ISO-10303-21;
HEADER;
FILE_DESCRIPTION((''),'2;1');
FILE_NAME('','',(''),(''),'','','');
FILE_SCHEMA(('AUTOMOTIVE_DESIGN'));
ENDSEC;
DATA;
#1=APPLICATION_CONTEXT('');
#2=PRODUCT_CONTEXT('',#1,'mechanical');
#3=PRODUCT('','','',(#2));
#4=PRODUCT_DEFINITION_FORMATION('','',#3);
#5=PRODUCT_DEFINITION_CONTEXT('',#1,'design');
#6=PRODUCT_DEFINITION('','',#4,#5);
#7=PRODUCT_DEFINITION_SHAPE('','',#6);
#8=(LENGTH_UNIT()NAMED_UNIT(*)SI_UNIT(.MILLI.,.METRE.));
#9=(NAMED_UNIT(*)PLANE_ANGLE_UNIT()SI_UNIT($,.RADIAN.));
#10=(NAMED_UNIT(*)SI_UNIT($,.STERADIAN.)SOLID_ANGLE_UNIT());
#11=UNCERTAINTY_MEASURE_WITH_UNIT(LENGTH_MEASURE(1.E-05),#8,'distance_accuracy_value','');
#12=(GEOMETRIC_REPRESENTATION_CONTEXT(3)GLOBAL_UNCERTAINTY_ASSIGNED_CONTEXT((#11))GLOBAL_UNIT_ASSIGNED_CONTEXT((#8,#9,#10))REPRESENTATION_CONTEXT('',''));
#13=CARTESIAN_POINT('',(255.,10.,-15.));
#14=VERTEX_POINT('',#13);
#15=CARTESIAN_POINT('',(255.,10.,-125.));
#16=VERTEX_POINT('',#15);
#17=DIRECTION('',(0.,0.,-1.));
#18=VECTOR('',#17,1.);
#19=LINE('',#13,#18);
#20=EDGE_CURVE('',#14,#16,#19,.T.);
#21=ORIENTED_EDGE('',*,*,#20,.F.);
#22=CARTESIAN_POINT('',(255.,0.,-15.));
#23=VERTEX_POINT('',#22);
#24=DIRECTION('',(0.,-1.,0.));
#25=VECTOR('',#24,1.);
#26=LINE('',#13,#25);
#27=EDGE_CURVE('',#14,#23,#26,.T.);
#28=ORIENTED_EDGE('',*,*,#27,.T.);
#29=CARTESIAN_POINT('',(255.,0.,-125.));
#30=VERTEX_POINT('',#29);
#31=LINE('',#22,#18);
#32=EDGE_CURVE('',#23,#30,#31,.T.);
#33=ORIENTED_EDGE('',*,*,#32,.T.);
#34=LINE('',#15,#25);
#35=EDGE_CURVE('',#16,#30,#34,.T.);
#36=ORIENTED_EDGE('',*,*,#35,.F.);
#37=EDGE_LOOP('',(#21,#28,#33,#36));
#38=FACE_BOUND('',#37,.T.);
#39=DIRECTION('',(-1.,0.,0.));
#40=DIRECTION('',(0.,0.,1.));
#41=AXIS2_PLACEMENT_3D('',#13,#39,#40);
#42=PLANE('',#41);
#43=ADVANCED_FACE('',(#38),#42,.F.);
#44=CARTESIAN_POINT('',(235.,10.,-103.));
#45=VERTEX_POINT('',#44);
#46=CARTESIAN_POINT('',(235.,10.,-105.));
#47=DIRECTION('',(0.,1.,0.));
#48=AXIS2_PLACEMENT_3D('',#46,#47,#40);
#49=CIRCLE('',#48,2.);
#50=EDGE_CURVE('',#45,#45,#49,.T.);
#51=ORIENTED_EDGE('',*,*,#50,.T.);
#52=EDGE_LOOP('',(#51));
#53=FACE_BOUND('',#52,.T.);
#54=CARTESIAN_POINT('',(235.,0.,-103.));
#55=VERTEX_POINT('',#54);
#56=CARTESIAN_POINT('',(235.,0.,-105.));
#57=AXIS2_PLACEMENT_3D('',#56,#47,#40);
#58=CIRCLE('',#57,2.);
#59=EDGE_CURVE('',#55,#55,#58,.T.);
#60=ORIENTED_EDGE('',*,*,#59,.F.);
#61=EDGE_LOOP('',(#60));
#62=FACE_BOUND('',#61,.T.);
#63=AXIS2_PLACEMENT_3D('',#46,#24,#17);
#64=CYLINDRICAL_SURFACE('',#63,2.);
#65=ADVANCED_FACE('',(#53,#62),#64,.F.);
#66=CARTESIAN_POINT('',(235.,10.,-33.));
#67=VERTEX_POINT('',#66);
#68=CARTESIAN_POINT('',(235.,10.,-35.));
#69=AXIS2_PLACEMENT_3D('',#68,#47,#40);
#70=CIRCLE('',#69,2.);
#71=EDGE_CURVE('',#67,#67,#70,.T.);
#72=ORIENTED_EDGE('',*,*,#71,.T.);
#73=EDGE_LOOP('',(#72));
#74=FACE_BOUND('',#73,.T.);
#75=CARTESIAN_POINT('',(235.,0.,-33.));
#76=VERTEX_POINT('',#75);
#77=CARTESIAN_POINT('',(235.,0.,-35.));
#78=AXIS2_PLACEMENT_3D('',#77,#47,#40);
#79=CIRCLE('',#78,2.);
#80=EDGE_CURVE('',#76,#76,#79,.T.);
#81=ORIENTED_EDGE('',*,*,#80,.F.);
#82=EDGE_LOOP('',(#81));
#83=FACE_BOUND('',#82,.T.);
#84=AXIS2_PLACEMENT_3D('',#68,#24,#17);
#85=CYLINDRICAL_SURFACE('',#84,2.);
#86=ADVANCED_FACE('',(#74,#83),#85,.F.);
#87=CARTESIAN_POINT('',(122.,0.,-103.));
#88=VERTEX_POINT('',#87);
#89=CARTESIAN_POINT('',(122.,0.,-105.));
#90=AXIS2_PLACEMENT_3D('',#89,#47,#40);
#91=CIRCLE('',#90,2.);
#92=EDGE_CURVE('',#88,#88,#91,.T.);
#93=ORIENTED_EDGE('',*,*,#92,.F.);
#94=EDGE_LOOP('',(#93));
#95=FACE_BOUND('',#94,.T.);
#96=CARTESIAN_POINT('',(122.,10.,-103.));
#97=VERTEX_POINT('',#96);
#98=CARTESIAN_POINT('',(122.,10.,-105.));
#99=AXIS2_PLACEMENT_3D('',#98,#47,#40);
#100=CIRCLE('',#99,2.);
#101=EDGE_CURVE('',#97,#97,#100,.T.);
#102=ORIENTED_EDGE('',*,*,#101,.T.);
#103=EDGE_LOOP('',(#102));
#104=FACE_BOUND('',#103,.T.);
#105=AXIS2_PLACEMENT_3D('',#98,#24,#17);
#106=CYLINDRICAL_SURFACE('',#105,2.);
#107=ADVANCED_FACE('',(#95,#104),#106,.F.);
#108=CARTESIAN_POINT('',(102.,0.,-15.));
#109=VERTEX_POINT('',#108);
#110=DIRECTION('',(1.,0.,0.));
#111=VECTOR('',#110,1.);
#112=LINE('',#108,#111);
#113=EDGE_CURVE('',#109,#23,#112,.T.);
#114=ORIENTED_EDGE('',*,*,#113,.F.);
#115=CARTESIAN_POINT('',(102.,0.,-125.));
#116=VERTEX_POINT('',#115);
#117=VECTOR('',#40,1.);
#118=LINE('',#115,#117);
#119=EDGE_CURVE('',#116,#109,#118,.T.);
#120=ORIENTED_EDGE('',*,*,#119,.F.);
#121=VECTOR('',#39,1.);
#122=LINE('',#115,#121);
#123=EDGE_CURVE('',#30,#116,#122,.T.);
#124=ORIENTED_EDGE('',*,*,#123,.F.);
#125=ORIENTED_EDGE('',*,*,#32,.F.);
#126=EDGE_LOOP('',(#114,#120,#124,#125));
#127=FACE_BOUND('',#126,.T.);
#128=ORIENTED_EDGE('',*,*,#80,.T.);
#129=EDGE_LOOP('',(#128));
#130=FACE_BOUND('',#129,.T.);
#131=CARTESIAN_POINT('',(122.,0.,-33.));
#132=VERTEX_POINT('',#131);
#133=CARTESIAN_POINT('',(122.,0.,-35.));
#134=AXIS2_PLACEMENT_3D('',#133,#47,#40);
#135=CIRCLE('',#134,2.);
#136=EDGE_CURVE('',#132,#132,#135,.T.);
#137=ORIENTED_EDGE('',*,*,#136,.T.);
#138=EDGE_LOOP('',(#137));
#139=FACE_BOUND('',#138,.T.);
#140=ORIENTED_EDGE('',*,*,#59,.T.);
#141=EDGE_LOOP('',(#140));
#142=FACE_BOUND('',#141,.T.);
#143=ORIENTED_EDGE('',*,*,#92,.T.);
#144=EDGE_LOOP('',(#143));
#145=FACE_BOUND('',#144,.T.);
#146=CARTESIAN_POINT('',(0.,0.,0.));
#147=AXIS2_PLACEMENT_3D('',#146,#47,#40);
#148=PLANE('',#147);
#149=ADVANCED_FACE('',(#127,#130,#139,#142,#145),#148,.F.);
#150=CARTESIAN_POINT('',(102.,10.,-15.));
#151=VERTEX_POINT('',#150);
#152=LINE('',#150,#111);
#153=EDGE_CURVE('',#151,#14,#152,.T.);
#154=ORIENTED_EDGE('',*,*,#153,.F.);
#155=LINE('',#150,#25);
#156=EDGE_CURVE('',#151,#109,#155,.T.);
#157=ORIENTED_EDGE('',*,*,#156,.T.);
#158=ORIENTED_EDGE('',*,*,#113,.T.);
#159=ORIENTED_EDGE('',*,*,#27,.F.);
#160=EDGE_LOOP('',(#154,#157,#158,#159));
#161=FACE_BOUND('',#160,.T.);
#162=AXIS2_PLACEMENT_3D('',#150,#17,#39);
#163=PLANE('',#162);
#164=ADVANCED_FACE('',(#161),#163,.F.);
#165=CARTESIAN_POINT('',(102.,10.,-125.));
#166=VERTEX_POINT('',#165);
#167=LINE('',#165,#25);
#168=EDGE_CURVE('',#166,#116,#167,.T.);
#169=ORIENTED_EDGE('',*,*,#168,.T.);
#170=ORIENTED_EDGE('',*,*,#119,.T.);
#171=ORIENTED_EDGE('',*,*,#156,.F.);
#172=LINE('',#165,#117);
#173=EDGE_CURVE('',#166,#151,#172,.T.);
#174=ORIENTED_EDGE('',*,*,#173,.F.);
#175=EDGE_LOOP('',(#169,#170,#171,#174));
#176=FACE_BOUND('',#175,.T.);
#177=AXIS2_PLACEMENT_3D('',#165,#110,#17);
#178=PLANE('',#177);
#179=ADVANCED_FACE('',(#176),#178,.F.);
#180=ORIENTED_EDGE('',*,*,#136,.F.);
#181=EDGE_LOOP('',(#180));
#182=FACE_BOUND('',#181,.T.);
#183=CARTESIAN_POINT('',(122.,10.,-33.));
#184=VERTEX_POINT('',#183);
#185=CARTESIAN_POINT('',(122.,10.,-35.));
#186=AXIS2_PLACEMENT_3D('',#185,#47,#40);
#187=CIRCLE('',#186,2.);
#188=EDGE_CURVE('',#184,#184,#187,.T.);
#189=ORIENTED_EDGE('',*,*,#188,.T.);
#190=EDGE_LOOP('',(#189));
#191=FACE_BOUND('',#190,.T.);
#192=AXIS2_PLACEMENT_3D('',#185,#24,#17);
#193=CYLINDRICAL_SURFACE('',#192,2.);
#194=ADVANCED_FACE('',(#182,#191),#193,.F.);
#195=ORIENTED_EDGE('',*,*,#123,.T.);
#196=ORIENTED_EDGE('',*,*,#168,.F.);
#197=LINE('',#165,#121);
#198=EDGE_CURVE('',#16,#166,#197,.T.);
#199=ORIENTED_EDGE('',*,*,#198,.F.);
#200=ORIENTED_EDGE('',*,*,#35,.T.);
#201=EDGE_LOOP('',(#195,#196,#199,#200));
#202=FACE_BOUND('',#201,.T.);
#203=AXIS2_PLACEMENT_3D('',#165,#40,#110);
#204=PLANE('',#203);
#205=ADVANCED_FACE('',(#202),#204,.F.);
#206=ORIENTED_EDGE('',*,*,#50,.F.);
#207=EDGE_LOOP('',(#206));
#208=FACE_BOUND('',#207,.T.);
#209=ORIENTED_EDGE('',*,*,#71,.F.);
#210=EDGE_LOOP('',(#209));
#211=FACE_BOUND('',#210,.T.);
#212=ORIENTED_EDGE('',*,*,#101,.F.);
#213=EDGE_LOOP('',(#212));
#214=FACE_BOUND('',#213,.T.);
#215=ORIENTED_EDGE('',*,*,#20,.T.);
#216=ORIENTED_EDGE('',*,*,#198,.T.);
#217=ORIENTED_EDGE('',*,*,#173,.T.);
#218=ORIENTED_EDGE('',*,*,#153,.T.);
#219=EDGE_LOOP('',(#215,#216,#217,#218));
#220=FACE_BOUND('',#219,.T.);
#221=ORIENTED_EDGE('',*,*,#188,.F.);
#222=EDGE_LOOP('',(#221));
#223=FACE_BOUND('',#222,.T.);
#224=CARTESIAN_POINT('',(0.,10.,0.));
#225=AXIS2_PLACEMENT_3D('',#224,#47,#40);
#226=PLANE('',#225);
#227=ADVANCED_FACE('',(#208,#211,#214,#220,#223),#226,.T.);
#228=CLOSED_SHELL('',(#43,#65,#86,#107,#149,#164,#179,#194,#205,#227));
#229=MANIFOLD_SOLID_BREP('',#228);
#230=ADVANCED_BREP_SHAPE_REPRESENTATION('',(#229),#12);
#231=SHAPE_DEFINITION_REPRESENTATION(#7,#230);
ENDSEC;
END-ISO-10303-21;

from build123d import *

# Parameters (mm, degrees)
SKETCH1_W           = 153
SKETCH1_H           = 110
SKETCH1_R           = 2
BOSS_EXTRUDE1_DEPTH = 10


with BuildPart() as part:
    # Sketch1 → Boss-Extrude1 (new body)
    with BuildSketch(Plane(origin=(0, 0, 0), x_dir=(1, 0, 0), z_dir=(0, 1, 0))):
        with Locations((178.5, 70)):
            Rectangle(SKETCH1_W, SKETCH1_H)
        with Locations((122, 35)):
            Circle(SKETCH1_R, mode=Mode.SUBTRACT)
        with Locations((235, 35)):
            Circle(SKETCH1_R, mode=Mode.SUBTRACT)
        with Locations((235, 105)):
            Circle(SKETCH1_R, mode=Mode.SUBTRACT)
        with Locations((122, 105)):
            Circle(SKETCH1_R, mode=Mode.SUBTRACT)
    extrude(amount=BOSS_EXTRUDE1_DEPTH)


solid = part.part
